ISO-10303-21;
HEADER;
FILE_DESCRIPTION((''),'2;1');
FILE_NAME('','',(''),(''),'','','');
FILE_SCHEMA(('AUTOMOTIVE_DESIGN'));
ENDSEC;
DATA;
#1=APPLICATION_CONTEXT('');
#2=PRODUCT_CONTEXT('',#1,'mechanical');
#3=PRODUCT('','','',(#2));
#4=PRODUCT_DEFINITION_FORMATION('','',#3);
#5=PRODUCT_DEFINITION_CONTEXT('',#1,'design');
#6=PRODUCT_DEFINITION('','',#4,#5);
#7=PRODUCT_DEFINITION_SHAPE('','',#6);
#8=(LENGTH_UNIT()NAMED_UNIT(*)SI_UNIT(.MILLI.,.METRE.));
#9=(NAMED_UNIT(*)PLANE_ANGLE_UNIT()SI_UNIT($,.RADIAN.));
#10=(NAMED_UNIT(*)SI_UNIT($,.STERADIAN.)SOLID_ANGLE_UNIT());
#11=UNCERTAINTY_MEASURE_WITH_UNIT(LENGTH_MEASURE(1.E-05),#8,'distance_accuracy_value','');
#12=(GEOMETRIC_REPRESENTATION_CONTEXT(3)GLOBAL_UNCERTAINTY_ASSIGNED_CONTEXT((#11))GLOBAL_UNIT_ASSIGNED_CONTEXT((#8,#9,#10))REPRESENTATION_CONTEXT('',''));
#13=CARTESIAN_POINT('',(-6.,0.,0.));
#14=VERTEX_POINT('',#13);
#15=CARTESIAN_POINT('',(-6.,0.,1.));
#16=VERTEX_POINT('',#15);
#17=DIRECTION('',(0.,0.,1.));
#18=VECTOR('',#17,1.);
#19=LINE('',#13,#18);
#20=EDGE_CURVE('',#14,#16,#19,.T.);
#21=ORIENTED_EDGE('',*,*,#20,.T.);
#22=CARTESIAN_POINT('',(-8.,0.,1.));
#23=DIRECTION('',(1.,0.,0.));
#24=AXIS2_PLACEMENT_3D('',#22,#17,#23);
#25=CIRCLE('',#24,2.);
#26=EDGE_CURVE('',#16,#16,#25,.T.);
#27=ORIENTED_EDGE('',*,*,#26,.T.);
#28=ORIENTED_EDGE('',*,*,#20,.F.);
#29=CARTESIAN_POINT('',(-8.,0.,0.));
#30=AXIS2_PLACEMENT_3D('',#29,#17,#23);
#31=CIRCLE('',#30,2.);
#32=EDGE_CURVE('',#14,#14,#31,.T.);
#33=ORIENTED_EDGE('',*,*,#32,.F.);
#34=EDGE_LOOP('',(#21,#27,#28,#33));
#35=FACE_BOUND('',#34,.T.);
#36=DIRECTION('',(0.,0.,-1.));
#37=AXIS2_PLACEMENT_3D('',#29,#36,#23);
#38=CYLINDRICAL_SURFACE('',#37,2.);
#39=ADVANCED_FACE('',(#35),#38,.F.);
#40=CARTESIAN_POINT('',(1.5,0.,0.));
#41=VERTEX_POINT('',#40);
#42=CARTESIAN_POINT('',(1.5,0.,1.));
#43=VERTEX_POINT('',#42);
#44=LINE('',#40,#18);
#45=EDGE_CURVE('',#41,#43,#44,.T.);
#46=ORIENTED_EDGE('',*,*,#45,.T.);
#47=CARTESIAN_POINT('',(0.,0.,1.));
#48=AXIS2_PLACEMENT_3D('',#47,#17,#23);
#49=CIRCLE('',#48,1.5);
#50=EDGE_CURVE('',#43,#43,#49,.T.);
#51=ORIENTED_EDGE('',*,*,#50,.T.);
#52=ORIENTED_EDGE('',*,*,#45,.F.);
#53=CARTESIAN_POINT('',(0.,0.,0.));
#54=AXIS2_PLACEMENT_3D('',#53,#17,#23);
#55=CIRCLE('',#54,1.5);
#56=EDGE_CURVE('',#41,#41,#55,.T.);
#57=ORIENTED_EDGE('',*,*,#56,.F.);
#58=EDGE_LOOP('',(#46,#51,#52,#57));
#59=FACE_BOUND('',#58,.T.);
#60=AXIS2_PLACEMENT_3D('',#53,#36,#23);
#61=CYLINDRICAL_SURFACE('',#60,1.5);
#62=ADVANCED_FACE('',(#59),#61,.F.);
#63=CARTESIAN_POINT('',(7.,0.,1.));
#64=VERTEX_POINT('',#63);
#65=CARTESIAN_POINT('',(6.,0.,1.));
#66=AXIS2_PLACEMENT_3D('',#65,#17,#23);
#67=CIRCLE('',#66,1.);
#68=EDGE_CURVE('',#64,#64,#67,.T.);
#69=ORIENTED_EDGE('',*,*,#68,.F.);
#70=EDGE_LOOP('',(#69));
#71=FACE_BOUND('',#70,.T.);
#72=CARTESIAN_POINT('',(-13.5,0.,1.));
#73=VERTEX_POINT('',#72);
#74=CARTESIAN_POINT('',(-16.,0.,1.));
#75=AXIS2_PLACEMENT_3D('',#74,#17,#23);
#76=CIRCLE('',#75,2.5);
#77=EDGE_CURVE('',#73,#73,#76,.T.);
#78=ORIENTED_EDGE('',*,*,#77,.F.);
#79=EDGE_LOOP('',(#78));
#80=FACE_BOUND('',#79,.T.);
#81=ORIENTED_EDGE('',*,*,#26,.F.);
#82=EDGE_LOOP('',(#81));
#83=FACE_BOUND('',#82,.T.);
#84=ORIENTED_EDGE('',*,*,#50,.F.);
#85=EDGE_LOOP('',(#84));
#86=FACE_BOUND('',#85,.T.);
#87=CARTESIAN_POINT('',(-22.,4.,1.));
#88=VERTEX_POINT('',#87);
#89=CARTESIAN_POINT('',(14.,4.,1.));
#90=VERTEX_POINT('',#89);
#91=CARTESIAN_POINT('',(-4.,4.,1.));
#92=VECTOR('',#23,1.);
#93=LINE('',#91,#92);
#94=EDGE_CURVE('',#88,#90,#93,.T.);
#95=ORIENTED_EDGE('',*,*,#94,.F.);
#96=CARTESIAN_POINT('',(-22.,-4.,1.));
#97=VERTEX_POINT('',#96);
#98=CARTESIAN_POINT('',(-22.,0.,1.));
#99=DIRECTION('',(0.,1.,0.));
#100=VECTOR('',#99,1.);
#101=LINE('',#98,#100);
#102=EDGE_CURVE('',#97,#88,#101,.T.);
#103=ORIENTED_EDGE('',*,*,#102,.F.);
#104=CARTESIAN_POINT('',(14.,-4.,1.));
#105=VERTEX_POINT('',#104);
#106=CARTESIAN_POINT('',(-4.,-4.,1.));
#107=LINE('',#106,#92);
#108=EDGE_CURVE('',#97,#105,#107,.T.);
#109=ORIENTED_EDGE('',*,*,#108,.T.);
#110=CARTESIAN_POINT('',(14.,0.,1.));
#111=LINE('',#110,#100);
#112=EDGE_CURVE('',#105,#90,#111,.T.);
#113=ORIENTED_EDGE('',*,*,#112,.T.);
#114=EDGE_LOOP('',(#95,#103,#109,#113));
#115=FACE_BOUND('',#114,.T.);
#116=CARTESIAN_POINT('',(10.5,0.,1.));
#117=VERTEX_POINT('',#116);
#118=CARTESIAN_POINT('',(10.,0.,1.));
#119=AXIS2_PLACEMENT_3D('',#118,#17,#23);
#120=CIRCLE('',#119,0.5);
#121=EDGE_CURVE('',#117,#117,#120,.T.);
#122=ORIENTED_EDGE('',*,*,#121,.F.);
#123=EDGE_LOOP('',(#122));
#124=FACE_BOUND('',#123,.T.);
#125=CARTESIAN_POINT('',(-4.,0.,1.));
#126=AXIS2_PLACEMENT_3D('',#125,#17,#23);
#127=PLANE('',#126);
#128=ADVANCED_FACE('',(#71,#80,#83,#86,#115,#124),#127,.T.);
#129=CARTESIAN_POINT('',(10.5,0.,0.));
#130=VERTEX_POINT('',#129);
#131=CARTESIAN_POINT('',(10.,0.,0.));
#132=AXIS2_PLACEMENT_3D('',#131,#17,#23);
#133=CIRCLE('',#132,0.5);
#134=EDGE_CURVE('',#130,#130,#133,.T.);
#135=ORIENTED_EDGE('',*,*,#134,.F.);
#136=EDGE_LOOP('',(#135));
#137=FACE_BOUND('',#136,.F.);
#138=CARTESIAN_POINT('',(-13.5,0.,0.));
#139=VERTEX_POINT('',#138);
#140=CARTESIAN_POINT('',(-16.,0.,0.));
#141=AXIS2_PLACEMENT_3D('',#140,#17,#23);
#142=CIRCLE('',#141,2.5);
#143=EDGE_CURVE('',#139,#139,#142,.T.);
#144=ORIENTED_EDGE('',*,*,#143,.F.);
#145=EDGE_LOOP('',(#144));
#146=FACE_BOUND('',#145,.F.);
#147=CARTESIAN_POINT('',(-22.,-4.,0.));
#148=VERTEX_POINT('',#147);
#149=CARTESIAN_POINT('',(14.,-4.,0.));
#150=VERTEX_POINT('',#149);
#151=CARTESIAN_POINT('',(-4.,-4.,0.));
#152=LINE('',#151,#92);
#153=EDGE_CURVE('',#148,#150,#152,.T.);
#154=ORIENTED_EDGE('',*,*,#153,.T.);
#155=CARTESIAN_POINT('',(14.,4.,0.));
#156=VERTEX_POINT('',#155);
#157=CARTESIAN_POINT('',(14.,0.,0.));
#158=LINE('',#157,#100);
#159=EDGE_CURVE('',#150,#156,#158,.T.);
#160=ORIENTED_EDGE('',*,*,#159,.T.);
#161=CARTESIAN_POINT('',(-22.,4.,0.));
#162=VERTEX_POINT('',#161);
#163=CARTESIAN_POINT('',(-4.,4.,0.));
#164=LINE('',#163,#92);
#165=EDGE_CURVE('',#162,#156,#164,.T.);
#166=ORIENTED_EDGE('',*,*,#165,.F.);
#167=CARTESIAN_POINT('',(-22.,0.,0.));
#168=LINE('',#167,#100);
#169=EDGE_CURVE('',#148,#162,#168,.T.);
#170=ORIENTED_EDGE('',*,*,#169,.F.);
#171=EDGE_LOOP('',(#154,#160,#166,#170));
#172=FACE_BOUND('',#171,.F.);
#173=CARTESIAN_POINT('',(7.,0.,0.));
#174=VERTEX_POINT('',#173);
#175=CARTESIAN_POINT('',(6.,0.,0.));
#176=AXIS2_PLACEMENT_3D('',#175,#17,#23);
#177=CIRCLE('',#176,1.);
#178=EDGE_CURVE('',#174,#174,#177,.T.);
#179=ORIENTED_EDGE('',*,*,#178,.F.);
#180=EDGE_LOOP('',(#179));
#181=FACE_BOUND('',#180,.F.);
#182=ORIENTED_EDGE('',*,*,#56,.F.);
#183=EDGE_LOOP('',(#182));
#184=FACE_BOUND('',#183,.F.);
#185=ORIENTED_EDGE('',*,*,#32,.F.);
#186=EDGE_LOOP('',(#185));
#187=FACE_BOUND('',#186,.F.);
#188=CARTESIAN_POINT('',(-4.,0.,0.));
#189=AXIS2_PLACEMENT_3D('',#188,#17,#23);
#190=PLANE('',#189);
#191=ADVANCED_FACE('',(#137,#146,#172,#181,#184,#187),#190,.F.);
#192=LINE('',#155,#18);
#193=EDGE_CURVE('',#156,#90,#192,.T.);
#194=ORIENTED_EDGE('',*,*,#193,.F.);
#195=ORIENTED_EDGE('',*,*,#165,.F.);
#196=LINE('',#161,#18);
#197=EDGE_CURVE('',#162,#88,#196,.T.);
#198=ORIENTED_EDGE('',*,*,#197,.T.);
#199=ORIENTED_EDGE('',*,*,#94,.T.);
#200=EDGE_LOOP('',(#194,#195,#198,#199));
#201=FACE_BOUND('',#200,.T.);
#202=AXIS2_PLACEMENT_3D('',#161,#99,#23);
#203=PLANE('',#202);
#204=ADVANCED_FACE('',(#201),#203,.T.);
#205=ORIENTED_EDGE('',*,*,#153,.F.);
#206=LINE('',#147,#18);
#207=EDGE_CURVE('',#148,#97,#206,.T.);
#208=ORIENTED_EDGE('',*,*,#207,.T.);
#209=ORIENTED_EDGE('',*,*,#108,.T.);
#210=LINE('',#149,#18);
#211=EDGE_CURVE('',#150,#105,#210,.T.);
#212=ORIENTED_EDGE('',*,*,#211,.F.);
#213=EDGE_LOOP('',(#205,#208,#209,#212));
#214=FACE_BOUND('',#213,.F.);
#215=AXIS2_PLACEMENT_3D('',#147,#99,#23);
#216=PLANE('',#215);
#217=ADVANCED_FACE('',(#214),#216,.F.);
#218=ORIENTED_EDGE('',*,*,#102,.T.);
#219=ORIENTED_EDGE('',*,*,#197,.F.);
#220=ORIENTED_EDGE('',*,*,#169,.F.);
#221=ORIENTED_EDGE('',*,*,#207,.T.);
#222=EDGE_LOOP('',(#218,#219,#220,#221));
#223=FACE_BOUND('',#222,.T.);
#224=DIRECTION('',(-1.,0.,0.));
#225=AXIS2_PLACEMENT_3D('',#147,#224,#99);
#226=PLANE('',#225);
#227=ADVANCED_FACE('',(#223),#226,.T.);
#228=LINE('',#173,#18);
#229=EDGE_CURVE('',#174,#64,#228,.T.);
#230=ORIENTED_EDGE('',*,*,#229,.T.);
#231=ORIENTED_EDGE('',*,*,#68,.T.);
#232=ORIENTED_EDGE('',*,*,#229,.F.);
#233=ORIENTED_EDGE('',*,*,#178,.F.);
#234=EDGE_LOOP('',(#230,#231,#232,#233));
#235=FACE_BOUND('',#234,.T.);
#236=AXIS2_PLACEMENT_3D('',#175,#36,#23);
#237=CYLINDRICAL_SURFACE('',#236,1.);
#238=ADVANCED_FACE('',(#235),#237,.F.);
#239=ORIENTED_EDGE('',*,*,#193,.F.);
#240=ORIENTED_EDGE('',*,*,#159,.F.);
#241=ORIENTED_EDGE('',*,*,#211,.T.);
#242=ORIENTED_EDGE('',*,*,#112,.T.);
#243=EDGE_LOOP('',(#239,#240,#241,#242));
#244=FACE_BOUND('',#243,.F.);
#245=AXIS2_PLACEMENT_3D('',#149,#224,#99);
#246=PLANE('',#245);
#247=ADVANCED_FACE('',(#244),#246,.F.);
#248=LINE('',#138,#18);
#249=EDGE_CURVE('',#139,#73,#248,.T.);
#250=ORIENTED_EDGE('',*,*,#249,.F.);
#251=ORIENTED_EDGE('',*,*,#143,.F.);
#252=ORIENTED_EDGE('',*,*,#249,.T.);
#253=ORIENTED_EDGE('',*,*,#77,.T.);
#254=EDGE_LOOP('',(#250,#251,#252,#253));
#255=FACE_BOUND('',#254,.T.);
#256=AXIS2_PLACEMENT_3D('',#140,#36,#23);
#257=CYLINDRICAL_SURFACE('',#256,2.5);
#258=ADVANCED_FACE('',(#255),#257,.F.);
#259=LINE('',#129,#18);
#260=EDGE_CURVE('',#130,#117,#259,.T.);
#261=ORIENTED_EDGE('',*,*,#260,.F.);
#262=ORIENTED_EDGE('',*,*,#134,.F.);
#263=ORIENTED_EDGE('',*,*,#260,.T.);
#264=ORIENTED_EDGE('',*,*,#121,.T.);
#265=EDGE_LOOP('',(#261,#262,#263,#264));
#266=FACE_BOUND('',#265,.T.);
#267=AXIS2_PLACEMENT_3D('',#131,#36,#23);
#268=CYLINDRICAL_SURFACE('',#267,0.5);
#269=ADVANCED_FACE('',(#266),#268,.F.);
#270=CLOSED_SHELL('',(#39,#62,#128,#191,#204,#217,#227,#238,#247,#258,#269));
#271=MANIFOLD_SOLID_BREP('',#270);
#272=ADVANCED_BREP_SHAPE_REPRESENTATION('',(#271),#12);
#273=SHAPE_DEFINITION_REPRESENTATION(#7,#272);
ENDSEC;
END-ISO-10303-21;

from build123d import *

# Parameters (mm, degrees)
F0_W     = 36
F0_H     = 8
F0_R     = 2.5
F0_R_2   = 2
F0_R_3   = 1.5
F0_R_4   = 1
F0_R_5   = 0.5
F1_DEPTH = 1


with BuildPart() as f1:
    # F0 (on Top) → F1 (new body)
    with BuildSketch(Plane.XY):
        with Locations((-4, 0)):
            Rectangle(F0_W, F0_H)
        with Locations((-16, 0)):
            Circle(F0_R, mode=Mode.SUBTRACT)
        with Locations((-8, 0)):
            Circle(F0_R_2, mode=Mode.SUBTRACT)
        Circle(F0_R_3, mode=Mode.SUBTRACT)
        with Locations((6, 0)):
            Circle(F0_R_4, mode=Mode.SUBTRACT)
        with Locations((10, 0)):
            Circle(F0_R_5, mode=Mode.SUBTRACT)
    extrude(amount=F1_DEPTH)


solid = f1.part
